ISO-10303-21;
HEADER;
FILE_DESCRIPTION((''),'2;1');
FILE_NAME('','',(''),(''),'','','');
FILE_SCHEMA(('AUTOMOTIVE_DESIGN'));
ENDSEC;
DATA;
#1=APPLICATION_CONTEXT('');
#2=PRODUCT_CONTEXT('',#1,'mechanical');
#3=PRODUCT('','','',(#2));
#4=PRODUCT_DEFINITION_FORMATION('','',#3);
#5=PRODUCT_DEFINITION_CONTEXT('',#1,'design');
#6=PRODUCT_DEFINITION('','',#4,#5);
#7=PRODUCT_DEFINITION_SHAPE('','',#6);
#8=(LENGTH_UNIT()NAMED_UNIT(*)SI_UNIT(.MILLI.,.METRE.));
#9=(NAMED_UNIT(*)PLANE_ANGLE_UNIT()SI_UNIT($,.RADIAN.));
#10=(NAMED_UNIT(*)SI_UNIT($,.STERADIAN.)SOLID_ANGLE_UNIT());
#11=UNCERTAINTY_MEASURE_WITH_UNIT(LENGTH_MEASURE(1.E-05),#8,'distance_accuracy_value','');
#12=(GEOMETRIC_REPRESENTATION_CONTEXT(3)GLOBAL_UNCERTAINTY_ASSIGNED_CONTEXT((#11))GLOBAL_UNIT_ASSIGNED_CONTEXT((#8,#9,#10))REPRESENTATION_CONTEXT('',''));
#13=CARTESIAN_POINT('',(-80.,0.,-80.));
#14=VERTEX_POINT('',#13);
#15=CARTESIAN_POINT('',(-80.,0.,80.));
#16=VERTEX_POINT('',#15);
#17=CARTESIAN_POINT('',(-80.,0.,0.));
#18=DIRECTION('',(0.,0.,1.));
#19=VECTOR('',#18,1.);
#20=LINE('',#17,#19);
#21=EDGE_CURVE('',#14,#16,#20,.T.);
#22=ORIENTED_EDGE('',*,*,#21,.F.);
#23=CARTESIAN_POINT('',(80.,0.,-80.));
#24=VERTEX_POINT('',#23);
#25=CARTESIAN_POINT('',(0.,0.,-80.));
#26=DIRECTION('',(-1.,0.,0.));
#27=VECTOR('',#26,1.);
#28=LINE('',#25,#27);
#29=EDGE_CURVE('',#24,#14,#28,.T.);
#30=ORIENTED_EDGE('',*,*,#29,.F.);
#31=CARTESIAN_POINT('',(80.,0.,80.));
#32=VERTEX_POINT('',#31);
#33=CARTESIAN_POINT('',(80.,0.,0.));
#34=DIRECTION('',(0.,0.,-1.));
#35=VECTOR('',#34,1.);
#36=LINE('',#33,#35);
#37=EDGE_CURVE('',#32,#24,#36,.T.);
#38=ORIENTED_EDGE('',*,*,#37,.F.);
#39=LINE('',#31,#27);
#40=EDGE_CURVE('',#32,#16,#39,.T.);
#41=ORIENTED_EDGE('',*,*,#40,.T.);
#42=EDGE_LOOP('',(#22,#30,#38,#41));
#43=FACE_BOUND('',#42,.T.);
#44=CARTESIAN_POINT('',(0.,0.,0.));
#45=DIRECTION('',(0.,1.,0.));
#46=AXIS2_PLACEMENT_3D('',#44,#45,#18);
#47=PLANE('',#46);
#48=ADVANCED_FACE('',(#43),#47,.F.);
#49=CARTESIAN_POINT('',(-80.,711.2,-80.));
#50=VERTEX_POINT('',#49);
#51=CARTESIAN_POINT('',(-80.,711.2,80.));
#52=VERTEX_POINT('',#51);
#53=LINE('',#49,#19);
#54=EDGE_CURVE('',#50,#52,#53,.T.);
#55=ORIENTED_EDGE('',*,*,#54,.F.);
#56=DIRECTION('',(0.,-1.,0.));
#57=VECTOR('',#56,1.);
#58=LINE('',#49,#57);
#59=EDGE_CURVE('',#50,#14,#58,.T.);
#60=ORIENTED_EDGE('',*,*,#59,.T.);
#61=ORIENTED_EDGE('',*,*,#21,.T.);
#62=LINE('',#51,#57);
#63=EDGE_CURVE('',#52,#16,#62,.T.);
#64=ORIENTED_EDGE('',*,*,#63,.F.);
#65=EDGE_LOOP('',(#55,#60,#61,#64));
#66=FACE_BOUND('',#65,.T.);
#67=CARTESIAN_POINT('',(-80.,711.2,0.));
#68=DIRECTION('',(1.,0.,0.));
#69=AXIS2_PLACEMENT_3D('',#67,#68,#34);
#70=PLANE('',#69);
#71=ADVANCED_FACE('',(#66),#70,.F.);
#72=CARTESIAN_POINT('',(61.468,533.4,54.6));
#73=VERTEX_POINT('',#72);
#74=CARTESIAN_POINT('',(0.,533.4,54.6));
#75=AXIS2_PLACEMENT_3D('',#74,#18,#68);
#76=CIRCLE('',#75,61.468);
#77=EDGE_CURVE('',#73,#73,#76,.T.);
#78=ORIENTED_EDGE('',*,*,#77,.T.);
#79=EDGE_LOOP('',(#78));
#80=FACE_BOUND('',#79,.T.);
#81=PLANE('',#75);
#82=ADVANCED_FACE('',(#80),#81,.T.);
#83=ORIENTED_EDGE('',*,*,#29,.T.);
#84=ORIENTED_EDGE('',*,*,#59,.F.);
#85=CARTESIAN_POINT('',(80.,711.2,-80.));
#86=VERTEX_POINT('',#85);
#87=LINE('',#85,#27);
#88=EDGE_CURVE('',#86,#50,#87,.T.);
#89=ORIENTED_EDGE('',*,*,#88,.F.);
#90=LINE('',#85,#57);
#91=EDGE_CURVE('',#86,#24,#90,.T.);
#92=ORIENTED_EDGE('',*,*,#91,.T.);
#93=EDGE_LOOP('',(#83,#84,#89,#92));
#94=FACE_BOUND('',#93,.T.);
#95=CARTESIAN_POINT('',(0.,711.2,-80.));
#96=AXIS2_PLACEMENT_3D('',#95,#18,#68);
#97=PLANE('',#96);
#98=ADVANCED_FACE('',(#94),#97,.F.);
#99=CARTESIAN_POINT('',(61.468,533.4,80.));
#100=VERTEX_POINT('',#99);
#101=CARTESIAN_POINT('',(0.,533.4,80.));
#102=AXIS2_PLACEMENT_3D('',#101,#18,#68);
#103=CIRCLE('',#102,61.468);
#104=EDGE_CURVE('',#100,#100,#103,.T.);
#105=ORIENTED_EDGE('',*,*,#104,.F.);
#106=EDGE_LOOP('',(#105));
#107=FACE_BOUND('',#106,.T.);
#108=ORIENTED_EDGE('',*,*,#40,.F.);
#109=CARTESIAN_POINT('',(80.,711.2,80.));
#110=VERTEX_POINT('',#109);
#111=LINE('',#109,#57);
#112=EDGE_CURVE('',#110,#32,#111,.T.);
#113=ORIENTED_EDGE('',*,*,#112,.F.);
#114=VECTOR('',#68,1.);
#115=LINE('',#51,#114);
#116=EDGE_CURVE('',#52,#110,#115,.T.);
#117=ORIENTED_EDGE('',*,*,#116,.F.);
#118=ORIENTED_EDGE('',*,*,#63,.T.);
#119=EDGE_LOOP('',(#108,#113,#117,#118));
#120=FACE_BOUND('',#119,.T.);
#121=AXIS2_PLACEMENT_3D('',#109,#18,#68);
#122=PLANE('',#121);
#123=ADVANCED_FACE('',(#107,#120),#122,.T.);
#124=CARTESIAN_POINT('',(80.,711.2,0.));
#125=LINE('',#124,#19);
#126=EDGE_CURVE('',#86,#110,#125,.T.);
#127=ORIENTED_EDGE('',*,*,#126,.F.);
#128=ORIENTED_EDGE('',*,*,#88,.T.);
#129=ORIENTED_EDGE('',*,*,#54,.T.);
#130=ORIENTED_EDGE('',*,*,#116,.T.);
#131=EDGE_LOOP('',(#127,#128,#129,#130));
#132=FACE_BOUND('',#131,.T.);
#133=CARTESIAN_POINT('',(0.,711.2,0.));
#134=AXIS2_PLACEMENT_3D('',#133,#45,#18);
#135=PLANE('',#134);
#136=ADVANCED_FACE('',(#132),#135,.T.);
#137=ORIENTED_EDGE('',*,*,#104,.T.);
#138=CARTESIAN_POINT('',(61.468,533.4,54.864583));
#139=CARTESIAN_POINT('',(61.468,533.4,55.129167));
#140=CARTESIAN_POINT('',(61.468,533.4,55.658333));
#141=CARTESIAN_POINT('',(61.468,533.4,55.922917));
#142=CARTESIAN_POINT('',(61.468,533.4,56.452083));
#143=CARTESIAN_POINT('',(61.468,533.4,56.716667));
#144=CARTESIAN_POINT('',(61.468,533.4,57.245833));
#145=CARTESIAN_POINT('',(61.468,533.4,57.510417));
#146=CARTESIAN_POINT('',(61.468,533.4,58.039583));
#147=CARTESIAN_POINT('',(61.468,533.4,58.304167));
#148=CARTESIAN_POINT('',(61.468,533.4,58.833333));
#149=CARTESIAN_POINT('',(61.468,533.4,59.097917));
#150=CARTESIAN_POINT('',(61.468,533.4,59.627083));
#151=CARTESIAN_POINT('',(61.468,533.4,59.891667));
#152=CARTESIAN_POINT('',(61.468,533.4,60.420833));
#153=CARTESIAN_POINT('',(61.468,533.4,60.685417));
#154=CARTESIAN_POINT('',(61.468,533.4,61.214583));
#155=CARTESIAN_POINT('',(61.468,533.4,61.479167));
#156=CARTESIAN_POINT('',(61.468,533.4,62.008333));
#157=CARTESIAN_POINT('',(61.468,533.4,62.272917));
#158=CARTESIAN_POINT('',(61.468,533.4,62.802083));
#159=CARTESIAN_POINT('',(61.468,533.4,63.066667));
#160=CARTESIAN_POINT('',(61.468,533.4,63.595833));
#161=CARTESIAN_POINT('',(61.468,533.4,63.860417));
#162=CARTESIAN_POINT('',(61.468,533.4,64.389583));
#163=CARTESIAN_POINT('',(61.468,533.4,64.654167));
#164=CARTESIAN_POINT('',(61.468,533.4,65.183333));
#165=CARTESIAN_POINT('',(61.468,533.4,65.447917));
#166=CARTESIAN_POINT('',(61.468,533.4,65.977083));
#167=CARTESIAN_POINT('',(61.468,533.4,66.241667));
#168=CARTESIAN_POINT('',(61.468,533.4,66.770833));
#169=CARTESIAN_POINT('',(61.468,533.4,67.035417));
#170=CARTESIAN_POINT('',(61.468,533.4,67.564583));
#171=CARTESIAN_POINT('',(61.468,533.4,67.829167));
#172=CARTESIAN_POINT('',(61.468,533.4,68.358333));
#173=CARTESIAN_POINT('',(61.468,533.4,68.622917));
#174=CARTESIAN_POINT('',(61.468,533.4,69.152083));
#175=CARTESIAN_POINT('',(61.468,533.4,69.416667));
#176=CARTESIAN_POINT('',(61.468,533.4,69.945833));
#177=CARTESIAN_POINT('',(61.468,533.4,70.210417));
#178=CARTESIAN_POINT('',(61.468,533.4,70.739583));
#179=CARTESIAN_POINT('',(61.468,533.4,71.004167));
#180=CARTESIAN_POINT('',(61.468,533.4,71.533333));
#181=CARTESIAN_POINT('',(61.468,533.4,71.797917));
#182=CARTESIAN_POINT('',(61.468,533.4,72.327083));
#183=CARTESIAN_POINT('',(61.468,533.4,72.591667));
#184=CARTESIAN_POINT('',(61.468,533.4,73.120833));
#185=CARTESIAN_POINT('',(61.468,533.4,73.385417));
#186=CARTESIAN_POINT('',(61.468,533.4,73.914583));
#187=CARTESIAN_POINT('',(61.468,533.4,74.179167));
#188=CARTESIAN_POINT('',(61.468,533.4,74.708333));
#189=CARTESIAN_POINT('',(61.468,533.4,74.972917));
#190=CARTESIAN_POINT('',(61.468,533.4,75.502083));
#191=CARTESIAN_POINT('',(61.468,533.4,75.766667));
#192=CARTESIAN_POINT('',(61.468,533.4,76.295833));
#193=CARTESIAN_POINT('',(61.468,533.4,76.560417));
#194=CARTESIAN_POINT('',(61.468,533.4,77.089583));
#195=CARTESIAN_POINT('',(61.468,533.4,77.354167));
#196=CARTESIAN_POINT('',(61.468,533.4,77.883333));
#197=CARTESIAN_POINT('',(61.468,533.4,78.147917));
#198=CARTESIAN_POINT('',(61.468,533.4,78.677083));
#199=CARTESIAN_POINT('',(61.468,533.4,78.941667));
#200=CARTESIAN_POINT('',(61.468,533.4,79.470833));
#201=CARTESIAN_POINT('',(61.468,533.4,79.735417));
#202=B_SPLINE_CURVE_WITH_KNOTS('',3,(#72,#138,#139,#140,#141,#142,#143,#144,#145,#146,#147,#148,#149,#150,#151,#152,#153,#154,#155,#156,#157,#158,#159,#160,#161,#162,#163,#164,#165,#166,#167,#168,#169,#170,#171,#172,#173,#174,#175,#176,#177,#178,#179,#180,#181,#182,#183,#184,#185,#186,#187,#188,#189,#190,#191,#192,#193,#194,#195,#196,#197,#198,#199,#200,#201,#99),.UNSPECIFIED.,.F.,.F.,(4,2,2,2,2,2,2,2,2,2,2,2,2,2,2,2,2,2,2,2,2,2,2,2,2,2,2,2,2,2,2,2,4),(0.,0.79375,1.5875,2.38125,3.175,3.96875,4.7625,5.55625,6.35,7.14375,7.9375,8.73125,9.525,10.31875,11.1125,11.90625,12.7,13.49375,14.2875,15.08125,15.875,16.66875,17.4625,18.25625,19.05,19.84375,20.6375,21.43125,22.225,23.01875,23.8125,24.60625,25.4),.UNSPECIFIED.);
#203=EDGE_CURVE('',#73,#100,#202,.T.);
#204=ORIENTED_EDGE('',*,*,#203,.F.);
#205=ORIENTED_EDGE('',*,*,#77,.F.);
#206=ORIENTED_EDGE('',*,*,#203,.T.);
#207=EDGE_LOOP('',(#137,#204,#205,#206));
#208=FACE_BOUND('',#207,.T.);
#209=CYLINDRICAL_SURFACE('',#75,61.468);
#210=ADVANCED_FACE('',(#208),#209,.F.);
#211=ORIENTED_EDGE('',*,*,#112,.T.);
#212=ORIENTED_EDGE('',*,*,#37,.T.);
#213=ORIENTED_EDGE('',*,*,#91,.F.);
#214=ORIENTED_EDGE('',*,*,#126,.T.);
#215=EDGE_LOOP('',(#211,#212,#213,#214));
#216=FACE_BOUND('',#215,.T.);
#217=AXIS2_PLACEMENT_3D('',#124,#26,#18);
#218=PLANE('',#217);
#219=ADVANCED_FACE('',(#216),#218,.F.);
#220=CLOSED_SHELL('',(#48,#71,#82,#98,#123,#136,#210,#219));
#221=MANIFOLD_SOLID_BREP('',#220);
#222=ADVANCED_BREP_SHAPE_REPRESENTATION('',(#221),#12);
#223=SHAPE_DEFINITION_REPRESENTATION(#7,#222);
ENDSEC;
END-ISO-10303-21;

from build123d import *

# Parameters (mm, degrees)
BOSS_EXTRUDE1_DEPTH = 711.2
SKETCH3_R           = 61.468
CUT_EXTRUDE1_DEPTH  = 25.4


with BuildPart() as part:
    # Sketch1 → Boss-Extrude1 (new body)
    with BuildSketch(Plane(origin=(0, 0, 0), x_dir=(1, 0, 0), z_dir=(0, 1, 0))):
        Polygon((0, 80), (-80, 80), (-80, 0), (-80, -80), (0, -80), (80, -80), (80, 0), (80, 80), align=None)
    extrude(amount=BOSS_EXTRUDE1_DEPTH)

    # Sketch3 → Cut-Extrude1 (cut)
    with BuildSketch(Plane.XY.offset(80)):
        with Locations((0, 533.4)):
            Circle(SKETCH3_R)
    extrude(amount=-CUT_EXTRUDE1_DEPTH, mode=Mode.SUBTRACT)


solid = part.part
